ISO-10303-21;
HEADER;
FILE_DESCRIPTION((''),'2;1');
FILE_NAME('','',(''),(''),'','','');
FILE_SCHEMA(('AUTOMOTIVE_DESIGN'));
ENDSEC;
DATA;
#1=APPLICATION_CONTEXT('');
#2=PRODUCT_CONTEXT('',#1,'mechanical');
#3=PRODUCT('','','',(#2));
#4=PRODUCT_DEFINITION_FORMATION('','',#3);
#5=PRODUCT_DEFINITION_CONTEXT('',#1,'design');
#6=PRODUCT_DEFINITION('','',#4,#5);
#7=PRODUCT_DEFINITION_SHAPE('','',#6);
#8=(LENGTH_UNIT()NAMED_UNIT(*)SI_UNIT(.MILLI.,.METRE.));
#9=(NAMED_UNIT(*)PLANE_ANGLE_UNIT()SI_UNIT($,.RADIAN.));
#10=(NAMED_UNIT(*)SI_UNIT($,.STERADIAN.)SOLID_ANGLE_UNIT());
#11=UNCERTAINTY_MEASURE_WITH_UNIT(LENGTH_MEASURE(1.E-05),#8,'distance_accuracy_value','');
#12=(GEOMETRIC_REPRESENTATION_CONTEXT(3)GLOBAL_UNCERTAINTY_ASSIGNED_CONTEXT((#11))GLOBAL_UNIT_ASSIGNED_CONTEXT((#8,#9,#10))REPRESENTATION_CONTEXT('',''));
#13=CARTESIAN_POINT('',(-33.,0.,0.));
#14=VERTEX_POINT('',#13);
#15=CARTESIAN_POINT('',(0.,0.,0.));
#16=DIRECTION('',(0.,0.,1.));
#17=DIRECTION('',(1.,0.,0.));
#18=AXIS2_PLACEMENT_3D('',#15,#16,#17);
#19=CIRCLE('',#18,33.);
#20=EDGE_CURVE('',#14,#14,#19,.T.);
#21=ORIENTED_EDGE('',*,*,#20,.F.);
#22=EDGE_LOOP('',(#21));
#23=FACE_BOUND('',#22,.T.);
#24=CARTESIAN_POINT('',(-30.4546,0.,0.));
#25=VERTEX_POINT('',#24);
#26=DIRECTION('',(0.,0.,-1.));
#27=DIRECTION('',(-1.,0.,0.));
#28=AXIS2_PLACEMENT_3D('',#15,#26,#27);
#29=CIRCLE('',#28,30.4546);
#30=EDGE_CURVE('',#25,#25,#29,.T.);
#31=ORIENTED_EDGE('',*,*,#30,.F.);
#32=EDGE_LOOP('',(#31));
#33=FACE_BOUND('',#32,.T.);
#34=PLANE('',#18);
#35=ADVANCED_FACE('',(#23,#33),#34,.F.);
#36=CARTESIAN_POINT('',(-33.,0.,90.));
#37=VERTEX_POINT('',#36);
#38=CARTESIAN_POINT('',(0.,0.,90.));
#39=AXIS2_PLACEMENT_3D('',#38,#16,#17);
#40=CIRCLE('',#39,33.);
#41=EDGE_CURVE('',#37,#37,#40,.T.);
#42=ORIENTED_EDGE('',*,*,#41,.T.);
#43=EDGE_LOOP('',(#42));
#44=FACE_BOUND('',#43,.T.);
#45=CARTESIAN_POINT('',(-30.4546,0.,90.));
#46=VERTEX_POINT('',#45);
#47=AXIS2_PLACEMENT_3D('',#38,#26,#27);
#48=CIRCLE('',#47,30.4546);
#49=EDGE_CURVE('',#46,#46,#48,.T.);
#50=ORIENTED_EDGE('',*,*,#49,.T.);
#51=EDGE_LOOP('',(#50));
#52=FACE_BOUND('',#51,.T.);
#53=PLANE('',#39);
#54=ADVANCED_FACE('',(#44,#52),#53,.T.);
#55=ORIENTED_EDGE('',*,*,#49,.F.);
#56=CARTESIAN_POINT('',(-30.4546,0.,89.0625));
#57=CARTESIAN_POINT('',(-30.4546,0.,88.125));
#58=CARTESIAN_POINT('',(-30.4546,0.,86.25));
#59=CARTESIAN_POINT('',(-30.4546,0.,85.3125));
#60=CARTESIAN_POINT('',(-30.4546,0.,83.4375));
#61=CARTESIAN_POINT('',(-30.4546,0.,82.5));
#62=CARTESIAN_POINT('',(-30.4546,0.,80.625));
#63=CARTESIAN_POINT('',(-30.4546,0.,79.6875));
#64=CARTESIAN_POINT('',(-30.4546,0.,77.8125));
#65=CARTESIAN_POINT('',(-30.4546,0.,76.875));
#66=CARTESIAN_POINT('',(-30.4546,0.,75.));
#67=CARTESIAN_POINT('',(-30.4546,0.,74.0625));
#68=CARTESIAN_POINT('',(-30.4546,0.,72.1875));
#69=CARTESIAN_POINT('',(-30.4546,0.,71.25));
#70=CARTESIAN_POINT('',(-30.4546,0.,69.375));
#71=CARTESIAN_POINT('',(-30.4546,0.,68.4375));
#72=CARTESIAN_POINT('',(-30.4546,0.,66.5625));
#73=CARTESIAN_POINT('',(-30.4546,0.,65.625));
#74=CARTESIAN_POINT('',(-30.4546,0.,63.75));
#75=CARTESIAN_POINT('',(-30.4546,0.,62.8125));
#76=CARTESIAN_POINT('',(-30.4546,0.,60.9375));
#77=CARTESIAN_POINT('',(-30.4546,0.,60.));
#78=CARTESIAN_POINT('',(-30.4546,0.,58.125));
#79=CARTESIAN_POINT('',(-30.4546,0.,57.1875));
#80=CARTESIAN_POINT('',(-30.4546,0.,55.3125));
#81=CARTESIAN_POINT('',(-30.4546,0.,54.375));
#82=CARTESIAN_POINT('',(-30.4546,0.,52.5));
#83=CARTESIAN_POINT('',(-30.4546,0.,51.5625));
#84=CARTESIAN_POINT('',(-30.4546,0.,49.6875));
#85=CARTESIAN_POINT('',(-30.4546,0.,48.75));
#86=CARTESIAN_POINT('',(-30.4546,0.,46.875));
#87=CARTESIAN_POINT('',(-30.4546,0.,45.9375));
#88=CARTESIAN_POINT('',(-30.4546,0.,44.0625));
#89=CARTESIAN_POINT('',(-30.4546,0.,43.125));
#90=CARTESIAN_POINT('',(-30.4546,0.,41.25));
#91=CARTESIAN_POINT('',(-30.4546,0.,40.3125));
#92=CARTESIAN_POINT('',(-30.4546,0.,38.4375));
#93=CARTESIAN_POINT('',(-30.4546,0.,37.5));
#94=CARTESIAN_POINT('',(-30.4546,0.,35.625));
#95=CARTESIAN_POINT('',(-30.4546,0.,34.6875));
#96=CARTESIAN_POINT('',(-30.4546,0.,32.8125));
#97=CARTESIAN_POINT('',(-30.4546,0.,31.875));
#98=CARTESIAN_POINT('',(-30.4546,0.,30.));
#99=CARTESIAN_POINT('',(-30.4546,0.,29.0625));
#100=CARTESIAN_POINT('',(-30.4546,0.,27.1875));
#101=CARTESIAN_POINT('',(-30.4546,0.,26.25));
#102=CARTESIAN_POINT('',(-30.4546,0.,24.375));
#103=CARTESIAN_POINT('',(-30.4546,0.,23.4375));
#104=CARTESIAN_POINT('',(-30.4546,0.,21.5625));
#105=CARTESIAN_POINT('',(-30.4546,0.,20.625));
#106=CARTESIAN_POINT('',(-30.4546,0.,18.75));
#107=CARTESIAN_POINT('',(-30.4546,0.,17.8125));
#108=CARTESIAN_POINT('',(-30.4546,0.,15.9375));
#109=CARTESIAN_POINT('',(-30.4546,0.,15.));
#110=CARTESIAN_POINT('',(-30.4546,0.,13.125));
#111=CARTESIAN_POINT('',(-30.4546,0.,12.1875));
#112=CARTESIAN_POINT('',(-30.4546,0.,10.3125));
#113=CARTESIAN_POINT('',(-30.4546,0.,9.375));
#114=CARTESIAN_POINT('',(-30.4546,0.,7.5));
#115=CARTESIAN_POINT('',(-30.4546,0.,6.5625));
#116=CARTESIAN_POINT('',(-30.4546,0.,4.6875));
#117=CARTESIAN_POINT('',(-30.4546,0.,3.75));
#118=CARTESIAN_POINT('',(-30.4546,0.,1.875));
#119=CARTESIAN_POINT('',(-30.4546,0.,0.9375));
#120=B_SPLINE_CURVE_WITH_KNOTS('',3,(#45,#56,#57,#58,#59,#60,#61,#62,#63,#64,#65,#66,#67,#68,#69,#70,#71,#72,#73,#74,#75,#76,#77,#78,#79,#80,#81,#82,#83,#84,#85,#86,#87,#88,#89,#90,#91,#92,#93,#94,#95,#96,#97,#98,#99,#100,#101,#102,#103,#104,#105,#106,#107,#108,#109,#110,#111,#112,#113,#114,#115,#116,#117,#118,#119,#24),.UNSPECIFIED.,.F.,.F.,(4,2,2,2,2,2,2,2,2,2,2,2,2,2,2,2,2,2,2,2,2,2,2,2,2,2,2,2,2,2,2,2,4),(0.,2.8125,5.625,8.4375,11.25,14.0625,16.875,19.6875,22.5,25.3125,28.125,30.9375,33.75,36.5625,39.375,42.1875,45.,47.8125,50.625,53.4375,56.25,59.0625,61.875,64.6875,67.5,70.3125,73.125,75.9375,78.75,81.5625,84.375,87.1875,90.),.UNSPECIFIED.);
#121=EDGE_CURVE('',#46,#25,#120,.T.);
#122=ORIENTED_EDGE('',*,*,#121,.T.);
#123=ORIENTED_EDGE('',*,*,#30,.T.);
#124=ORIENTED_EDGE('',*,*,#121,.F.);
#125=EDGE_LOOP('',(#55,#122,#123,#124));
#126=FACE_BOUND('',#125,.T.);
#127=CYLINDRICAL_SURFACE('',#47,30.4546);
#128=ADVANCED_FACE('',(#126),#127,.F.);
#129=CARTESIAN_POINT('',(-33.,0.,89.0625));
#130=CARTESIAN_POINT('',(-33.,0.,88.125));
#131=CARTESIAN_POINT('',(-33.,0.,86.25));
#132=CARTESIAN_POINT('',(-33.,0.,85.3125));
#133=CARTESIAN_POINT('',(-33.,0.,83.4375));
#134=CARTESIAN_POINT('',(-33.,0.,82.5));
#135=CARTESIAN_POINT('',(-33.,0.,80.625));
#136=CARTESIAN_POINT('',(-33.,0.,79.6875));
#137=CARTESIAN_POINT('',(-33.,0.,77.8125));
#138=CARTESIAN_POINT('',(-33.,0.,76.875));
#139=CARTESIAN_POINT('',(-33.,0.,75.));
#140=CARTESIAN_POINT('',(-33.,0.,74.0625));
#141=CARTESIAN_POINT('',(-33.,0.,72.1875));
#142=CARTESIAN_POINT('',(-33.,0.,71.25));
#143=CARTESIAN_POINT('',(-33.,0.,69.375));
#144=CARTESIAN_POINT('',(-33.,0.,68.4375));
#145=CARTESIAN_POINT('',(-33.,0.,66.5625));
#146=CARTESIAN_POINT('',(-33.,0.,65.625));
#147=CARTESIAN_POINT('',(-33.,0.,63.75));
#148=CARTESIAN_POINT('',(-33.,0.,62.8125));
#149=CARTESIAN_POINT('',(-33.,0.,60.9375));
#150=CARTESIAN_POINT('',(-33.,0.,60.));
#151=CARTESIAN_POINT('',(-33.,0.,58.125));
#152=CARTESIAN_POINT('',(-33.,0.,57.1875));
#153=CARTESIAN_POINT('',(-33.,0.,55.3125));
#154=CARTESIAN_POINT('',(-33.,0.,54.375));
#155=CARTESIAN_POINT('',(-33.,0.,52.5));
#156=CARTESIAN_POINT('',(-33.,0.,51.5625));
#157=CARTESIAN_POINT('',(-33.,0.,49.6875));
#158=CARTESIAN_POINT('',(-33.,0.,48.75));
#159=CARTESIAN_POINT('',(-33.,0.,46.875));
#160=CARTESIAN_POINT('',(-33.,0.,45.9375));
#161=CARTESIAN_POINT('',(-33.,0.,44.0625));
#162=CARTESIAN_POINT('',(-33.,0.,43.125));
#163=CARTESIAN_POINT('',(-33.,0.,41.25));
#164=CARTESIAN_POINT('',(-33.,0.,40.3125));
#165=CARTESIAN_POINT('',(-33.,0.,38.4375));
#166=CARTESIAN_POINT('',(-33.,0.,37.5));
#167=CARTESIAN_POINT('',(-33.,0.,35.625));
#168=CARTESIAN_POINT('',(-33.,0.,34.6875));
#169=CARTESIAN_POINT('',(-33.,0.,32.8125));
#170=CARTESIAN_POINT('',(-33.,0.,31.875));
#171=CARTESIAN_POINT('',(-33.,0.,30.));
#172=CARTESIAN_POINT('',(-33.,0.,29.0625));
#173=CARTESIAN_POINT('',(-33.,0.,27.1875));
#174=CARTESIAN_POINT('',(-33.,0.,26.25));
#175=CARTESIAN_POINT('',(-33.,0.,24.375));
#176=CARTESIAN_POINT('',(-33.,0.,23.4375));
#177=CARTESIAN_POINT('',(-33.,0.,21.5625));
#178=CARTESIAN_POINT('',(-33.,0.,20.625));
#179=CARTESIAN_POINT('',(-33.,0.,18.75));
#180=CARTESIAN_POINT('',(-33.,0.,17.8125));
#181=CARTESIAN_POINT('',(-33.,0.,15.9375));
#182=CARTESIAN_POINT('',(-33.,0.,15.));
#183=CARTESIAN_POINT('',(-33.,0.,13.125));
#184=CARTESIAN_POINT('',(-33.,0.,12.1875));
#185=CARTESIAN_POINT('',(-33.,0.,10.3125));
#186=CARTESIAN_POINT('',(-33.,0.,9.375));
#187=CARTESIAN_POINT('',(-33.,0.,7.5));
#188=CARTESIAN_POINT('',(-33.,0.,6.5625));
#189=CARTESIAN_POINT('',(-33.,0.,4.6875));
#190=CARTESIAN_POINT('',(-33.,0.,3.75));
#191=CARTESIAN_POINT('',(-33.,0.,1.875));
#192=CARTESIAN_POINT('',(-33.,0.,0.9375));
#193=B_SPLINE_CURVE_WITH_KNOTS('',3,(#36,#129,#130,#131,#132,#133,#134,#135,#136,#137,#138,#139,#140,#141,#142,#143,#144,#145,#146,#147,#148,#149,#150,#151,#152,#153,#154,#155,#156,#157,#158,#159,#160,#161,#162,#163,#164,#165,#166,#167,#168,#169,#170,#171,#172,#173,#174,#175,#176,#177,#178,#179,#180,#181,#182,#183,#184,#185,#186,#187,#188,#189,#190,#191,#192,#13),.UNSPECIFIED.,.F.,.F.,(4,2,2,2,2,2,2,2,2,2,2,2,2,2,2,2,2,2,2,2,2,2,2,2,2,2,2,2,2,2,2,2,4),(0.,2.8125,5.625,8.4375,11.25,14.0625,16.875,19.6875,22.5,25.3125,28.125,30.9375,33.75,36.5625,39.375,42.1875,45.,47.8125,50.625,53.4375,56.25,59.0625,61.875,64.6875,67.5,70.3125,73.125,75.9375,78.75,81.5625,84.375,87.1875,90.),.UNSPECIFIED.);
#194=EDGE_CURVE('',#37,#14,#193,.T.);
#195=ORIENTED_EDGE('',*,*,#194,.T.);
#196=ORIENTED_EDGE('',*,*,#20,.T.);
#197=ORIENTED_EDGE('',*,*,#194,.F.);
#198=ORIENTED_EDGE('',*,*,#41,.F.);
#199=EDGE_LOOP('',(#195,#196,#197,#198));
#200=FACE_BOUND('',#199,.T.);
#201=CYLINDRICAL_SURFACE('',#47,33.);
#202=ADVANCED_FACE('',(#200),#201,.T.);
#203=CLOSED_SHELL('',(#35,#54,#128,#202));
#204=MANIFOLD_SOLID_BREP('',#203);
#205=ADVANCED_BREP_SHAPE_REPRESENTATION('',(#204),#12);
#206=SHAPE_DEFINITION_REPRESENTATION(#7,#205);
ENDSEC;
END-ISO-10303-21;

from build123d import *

# Parameters (mm, degrees)
SKETCH1_R           = 33
BOSS_EXTRUDE2_DEPTH = 90
SKETCH2_R           = 30.4546
CUT_EXTRUDE1_DEPTH  = 90


with BuildPart() as part:
    # Sketch1 → Boss-Extrude2 (new body)
    with BuildSketch(Plane.XY):
        with Locations(Location((0, 0, 0), (0, 0, 180))):
            Circle(SKETCH1_R)
    extrude(amount=BOSS_EXTRUDE2_DEPTH)

    # Sketch2 → Cut-Extrude1 (cut)
    with BuildSketch(Plane(origin=(0, 0, 0), x_dir=(-1, 0, 0), z_dir=(0, 0, -1))):
        Circle(SKETCH2_R)
    extrude(amount=-CUT_EXTRUDE1_DEPTH, mode=Mode.SUBTRACT)


solid = part.part
